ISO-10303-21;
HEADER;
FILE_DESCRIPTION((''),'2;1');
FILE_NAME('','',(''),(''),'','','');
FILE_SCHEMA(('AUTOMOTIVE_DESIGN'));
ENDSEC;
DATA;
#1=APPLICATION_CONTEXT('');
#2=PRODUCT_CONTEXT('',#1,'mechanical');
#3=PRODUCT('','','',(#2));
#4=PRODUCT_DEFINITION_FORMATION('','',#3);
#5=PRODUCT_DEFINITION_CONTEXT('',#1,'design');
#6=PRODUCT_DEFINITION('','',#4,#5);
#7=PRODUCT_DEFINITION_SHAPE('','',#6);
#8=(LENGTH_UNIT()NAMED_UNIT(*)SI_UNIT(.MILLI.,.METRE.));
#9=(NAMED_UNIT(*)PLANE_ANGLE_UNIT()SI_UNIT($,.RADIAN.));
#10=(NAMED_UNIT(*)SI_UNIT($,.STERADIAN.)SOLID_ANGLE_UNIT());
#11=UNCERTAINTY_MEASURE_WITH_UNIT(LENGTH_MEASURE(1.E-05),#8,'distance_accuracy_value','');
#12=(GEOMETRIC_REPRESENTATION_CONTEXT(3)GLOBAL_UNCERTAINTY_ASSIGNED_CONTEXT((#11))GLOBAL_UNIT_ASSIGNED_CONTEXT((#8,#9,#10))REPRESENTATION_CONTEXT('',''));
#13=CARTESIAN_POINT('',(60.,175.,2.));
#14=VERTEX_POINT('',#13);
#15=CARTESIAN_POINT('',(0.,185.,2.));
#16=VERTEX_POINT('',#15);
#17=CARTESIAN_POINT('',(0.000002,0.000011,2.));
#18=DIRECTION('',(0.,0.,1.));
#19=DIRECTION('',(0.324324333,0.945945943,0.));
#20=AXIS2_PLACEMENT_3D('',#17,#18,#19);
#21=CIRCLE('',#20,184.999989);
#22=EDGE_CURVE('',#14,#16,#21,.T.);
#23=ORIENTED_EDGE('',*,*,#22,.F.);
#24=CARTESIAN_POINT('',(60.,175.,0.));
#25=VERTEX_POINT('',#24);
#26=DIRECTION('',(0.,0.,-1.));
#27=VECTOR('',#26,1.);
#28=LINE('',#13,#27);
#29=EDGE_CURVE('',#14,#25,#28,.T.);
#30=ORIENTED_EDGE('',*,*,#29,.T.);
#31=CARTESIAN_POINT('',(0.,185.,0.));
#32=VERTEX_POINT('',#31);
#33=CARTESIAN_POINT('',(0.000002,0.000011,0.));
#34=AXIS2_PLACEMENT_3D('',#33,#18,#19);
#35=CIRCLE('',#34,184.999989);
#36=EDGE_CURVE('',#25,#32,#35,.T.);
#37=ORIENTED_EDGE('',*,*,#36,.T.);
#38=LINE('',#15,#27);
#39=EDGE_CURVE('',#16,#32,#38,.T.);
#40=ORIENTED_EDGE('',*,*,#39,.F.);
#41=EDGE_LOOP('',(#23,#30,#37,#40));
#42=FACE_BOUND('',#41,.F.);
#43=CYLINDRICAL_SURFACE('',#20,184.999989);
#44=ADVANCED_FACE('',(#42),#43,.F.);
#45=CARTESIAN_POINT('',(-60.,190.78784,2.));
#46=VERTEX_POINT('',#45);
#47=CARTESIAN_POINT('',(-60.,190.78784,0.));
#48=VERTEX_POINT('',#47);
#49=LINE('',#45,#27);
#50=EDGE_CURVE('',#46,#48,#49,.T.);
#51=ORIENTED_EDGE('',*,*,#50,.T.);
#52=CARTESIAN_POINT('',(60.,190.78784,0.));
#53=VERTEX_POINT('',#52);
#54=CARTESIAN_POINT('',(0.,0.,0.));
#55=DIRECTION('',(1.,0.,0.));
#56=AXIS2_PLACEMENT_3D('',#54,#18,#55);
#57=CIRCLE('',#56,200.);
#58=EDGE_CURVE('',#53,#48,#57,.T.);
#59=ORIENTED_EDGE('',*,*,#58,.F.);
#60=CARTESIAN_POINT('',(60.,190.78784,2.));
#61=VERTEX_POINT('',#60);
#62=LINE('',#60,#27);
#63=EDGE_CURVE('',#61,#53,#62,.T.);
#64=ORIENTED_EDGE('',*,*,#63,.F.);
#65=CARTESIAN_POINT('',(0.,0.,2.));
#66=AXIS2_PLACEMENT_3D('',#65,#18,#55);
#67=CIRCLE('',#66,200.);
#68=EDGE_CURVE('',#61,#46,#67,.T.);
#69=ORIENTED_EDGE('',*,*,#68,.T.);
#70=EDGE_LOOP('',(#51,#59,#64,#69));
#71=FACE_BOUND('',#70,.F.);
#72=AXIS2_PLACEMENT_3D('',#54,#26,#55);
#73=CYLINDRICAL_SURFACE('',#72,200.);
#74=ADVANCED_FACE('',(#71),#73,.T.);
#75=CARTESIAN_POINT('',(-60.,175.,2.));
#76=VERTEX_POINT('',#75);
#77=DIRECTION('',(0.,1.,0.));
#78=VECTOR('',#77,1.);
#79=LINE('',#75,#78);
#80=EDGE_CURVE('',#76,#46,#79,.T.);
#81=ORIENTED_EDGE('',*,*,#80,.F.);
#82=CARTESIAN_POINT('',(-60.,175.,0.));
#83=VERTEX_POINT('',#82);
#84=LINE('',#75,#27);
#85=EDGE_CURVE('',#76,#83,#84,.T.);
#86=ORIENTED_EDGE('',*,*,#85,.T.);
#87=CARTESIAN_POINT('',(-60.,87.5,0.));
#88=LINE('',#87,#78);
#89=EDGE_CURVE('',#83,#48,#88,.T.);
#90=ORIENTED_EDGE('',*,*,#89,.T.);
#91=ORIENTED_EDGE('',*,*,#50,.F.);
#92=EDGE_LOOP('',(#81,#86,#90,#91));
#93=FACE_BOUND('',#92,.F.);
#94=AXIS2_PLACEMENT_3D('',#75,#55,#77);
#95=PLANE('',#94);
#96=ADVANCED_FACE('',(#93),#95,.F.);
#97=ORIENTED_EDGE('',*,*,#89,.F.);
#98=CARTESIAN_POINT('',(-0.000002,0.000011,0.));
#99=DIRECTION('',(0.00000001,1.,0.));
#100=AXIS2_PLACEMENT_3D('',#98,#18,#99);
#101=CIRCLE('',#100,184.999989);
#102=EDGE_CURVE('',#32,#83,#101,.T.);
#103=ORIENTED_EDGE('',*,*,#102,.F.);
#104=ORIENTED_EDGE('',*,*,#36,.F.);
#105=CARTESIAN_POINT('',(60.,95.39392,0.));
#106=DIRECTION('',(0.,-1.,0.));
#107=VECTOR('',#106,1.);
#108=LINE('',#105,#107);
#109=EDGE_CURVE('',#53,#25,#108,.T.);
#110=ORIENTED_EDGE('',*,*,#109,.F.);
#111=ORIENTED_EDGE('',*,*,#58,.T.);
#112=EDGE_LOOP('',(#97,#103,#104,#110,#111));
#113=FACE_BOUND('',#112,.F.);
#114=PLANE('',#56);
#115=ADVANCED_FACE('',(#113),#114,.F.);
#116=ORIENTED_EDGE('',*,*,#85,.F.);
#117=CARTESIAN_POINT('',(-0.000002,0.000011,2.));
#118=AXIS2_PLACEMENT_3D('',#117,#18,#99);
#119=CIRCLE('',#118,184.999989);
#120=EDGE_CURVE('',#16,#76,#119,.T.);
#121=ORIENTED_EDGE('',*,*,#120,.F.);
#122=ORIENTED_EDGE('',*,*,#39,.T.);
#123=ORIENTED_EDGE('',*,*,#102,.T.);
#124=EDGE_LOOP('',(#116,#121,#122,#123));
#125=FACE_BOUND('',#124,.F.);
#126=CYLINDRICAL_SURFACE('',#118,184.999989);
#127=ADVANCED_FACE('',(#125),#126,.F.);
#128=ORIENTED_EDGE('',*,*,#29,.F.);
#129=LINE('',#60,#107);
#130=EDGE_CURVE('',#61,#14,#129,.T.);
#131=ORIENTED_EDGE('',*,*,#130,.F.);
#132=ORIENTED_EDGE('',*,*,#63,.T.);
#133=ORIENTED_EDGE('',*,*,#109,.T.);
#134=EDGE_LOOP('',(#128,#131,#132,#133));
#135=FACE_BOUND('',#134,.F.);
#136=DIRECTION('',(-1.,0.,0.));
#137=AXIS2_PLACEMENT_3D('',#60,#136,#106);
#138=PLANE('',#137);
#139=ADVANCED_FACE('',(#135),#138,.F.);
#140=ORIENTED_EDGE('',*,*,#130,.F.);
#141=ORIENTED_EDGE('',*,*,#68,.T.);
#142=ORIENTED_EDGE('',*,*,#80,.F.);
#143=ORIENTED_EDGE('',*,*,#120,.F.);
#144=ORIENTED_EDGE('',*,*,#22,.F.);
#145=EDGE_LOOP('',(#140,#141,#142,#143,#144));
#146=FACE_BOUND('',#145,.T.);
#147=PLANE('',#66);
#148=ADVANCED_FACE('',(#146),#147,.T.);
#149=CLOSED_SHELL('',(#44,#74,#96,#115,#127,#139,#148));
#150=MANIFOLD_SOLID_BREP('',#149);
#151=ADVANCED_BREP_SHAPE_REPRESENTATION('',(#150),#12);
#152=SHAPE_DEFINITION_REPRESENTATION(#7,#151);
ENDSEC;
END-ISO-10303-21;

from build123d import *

# Parameters (mm, degrees)
F0_R     = 200
F1_DEPTH = 2
F3_DEPTH = 25


with BuildPart() as f1:
    # F0 (on Top) → F1 (new body)
    with BuildSketch(Plane.XY):
        Circle(F0_R)
    extrude(amount=F1_DEPTH)

    # F2 (on face) → F3 (cut)
    with BuildSketch(Plane.XY.offset(2)):
        with BuildLine():
            ThreePointArc((-60, 175), (-107.529066, -150.540692), (185, 0))
            ThreePointArc((185, 0), (150.540692, 107.529066), (60, 175))
            ThreePointArc((60, 175), (30.413813, 182.482876), (0, 185))
            ThreePointArc((0, 185), (-30.413813, 182.482876), (-60, 175))
        make_face()
        with BuildLine():
            ThreePointArc((60, 175), (150.540692, 107.529066), (185, 0))
            ThreePointArc((185, 0), (-107.529066, -150.540692), (-60, 175))
            Line((-60, 175), (-60, 190.78784))
            ThreePointArc((-60, 190.78784), (-118.321596, -161.245155), (200, 0))
            ThreePointArc((200, 0), (161.245155, 118.321596), (60, 190.78784))
            Line((60, 190.78784), (60, 175))
        make_face()
    extrude(amount=-F3_DEPTH, mode=Mode.SUBTRACT)


solid = f1.part
